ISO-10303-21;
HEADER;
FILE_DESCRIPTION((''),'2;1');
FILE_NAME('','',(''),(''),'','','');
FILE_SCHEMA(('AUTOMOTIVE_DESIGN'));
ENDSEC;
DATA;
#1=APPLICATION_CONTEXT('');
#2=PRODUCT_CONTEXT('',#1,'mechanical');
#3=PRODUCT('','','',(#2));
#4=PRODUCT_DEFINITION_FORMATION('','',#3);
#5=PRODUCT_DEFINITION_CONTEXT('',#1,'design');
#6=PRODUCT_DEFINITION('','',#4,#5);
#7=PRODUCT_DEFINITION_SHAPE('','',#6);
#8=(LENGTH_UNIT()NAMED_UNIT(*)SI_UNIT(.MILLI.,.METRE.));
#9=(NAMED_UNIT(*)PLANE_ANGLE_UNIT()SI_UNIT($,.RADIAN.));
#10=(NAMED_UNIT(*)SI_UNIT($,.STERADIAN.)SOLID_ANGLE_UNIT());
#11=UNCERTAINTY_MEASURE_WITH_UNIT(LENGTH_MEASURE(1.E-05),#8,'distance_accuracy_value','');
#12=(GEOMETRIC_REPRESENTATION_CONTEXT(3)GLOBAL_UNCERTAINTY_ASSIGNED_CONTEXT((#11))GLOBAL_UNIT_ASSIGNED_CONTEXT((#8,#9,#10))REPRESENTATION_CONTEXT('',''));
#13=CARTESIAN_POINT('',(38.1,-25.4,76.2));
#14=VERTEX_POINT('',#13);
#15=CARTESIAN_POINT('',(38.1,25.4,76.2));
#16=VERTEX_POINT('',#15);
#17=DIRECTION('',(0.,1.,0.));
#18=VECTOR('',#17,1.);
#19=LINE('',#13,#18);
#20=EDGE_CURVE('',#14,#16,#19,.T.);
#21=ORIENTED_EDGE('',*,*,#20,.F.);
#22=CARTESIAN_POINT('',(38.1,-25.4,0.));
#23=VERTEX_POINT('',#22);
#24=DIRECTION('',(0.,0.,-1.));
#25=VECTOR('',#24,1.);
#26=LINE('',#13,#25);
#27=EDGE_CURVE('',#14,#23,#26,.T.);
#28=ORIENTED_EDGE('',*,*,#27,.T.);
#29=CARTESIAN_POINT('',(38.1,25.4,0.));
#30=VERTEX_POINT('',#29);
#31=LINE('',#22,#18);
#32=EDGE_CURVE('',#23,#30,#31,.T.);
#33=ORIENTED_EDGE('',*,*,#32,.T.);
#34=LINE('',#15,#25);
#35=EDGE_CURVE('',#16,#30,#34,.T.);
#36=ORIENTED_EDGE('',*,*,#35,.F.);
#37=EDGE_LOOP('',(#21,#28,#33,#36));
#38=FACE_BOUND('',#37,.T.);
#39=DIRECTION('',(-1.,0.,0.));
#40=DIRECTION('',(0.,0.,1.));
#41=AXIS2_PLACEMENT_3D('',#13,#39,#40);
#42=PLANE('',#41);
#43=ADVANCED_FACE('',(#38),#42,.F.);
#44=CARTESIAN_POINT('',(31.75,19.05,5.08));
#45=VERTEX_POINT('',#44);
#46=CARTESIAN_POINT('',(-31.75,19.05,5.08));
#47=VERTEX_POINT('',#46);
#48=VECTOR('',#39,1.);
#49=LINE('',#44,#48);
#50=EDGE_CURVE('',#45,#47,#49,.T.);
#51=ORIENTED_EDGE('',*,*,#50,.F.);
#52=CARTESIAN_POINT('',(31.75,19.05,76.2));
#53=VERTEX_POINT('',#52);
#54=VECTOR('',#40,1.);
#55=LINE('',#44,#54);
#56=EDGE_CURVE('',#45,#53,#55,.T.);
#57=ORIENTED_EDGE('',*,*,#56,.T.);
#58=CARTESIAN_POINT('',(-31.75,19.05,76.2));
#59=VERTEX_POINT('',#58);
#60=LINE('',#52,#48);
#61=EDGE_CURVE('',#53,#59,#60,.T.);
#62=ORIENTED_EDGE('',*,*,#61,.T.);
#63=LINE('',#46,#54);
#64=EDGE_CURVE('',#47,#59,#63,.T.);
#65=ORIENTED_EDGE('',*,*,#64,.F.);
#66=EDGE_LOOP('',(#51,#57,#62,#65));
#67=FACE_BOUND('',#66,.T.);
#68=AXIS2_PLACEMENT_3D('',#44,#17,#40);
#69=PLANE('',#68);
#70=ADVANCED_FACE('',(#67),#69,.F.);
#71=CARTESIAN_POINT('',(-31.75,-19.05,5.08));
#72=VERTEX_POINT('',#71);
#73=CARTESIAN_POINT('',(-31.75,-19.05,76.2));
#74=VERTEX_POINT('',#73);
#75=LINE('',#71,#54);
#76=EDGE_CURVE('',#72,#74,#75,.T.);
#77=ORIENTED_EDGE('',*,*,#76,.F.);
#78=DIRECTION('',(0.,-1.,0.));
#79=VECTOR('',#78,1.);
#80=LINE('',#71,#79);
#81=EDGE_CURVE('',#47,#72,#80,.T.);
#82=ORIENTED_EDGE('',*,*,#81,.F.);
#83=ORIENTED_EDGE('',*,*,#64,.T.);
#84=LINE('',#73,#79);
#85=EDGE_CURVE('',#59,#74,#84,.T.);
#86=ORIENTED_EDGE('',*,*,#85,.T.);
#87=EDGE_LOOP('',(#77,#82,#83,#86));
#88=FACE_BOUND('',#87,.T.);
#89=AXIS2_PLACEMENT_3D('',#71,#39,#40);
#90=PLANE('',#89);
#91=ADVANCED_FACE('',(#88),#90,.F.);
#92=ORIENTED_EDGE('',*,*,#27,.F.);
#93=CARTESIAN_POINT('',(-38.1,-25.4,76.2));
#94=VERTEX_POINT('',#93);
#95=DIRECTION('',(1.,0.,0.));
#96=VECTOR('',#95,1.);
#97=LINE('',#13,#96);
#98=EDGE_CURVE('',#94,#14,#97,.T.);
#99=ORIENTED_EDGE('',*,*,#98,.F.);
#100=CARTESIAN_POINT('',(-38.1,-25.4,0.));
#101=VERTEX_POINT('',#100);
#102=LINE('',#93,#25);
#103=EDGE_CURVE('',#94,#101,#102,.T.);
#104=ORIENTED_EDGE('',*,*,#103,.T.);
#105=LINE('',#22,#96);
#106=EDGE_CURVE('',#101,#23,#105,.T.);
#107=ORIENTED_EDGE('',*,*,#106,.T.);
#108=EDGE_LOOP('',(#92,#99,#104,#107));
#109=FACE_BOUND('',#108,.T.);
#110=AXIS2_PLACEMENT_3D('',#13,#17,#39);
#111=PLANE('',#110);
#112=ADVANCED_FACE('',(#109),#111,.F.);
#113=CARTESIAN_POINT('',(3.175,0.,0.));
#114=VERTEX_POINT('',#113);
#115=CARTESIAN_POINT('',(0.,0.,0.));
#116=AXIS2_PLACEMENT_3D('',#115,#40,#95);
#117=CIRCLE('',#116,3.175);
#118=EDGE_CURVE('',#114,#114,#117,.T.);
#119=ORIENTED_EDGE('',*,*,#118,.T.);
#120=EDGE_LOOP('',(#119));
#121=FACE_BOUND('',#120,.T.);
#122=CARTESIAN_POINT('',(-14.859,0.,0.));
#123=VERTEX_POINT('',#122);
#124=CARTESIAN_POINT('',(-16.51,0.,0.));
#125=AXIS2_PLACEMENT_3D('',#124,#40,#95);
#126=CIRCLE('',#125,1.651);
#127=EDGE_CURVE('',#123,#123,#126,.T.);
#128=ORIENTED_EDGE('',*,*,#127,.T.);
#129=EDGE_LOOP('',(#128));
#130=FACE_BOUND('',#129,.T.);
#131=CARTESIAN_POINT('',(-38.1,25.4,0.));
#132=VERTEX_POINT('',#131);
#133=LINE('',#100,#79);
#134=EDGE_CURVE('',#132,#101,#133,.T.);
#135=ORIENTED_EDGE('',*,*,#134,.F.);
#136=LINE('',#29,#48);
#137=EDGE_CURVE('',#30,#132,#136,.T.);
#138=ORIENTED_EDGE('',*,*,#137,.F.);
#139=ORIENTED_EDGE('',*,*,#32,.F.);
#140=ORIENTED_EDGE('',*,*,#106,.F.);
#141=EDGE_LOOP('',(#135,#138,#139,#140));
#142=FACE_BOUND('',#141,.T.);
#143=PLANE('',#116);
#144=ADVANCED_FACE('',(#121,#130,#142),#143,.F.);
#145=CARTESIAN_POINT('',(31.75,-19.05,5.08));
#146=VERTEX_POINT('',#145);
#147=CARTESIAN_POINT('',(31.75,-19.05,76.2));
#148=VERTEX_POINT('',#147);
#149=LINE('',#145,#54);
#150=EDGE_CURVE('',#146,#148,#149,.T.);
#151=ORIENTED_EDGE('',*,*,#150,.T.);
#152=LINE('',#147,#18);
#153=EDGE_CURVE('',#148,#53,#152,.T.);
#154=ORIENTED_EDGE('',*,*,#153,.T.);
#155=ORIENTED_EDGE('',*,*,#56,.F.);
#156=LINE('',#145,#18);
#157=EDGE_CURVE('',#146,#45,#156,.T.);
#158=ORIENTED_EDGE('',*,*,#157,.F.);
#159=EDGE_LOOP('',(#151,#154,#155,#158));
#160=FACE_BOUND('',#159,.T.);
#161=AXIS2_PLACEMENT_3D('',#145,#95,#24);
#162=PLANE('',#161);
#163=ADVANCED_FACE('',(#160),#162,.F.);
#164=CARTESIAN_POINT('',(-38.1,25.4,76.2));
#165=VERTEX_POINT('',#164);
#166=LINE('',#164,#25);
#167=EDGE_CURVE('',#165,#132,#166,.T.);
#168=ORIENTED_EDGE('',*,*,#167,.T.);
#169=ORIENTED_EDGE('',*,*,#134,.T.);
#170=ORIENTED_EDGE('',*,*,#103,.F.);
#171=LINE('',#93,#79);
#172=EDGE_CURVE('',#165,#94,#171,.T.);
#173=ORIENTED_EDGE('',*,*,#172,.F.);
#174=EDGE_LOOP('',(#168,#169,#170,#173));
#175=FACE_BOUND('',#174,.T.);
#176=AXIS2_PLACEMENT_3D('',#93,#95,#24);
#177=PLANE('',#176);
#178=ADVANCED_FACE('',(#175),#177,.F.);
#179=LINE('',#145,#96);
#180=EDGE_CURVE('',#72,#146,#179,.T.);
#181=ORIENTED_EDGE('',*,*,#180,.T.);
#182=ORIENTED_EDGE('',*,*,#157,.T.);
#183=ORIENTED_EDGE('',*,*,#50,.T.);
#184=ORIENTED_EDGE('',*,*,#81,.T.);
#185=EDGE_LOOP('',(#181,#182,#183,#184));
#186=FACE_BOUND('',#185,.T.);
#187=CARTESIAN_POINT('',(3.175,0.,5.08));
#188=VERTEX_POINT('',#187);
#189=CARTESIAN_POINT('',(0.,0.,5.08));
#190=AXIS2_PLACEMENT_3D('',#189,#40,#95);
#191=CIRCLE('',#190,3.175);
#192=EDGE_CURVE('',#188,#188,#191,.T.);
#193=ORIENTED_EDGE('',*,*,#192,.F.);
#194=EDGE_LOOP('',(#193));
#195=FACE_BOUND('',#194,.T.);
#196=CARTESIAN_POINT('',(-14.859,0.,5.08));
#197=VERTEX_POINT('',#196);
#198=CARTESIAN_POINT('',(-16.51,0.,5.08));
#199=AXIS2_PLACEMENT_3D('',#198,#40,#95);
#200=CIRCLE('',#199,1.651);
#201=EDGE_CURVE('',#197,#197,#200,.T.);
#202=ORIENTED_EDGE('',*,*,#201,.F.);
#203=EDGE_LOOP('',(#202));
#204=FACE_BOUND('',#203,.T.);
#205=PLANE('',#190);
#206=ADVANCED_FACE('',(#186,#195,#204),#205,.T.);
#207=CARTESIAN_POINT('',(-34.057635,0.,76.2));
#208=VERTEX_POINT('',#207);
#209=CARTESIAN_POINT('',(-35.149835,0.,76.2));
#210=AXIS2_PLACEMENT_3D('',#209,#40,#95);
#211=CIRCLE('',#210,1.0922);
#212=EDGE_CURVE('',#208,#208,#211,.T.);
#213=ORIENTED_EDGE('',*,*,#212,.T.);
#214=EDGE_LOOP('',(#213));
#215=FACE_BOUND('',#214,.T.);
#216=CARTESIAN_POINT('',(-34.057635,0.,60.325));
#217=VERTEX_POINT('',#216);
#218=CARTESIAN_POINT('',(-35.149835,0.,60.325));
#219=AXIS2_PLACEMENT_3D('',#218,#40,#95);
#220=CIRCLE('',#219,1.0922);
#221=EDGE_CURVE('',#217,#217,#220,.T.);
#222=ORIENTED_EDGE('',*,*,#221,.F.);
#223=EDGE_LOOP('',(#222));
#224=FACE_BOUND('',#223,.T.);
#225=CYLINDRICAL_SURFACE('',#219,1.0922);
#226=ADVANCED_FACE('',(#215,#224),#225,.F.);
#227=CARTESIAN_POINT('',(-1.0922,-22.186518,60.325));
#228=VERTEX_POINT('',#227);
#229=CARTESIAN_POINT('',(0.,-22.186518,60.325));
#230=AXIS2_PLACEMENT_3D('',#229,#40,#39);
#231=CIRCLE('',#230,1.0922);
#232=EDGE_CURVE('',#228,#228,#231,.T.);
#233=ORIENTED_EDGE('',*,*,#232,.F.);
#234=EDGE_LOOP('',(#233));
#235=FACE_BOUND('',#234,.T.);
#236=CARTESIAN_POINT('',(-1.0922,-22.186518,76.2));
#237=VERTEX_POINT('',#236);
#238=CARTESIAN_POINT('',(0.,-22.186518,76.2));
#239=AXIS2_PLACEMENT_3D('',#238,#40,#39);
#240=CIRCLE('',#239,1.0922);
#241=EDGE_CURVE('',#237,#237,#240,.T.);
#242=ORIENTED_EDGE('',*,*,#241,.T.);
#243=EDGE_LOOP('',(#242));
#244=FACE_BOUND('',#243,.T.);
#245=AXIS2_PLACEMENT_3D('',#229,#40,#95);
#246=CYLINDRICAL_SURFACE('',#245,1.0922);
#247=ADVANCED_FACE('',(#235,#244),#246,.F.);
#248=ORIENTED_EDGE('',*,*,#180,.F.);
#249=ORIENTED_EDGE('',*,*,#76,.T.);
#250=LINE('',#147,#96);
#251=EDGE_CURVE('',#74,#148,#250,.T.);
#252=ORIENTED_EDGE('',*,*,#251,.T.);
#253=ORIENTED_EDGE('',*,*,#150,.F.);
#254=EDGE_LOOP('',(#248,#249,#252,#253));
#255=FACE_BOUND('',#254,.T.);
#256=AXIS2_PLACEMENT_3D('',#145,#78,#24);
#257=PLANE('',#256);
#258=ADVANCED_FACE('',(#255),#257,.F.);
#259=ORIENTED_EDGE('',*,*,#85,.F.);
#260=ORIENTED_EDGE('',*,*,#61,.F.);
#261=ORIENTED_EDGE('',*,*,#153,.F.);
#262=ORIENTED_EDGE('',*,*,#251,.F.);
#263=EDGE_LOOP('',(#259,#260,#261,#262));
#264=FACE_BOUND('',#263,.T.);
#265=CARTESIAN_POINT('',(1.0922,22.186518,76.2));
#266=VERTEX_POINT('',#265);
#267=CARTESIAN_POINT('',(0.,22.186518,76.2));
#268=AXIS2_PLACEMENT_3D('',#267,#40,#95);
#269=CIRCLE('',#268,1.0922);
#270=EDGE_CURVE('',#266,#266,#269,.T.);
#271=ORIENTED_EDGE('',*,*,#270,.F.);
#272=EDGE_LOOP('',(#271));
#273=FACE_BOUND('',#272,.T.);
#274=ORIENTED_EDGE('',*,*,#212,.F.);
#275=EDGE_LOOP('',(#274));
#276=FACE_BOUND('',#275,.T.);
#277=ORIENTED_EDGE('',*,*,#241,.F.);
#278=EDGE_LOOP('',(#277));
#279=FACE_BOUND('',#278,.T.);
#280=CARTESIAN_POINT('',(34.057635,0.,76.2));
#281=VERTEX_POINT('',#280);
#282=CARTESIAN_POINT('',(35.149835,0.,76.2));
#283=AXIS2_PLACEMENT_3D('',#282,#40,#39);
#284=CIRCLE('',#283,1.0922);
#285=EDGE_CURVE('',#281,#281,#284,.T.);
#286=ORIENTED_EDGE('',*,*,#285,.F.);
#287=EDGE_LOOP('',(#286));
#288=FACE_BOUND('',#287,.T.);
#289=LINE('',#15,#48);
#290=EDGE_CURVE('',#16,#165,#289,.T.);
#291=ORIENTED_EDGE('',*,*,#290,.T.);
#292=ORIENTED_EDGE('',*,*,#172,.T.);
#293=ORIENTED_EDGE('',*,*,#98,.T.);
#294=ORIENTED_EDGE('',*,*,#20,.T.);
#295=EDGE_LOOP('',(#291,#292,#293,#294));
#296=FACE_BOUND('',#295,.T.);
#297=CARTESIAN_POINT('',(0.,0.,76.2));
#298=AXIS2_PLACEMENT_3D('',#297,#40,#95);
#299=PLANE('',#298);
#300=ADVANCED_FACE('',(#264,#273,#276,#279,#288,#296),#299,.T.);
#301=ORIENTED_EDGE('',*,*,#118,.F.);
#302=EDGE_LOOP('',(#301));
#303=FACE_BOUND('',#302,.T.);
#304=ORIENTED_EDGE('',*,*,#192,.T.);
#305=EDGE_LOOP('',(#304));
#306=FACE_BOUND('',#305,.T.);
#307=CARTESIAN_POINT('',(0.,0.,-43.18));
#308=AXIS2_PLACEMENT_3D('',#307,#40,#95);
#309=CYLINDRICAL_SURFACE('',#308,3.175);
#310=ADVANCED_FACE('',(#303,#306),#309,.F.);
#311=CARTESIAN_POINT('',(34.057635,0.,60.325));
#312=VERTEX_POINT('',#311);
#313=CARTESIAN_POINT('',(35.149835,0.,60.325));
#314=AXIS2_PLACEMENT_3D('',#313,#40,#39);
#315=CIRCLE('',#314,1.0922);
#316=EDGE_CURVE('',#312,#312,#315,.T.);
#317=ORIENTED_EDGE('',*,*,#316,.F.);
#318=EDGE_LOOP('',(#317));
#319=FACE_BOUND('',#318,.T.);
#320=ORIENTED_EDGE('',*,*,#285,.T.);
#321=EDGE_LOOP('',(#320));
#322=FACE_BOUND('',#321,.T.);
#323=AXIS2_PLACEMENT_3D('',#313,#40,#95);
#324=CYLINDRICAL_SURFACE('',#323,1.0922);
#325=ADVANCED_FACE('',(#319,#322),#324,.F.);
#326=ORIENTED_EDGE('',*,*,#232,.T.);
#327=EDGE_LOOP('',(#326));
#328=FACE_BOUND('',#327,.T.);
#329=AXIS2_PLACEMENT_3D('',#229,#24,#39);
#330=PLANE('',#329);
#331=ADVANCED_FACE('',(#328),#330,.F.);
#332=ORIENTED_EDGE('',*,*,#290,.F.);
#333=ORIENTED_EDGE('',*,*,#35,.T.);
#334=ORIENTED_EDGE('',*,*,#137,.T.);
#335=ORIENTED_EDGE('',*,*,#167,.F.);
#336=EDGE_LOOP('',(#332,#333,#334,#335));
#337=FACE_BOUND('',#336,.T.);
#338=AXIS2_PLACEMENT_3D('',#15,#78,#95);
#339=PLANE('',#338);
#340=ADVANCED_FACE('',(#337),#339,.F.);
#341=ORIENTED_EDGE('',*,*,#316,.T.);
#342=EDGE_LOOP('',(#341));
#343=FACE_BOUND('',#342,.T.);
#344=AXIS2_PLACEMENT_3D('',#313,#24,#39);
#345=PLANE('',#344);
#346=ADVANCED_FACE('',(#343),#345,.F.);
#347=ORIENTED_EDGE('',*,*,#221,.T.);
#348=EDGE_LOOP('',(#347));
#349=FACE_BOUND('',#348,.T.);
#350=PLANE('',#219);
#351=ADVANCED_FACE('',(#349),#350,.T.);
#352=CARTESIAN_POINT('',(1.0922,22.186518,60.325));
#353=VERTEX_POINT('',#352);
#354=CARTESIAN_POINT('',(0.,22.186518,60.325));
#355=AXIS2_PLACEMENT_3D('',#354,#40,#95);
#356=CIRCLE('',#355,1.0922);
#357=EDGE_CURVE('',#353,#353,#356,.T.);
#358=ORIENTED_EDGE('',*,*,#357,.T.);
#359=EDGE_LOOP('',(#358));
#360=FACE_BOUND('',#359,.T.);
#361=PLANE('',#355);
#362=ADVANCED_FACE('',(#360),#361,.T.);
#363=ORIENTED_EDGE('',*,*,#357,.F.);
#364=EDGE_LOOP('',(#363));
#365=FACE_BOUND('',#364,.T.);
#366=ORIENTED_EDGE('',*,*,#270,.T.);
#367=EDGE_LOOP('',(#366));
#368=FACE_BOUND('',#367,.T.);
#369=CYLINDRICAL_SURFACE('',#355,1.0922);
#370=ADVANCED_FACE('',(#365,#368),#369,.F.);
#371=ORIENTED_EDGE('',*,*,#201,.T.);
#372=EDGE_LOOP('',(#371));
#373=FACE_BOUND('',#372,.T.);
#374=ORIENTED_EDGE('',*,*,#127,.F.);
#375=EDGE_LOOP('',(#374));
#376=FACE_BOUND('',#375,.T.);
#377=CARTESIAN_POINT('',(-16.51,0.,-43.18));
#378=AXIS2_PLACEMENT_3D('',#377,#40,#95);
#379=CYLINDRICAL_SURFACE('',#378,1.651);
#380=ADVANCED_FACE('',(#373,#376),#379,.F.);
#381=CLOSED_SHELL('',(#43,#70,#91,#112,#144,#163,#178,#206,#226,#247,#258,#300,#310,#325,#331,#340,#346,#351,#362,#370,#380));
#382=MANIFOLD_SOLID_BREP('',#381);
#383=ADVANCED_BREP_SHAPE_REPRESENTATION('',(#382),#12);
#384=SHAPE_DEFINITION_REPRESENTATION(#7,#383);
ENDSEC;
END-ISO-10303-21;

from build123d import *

# Parameters (mm, degrees)
SKETCH1_W           = 76.2
SKETCH1_H           = 50.8
BOSS_EXTRUDE1_DEPTH = 76.2
SKETCH2_W           = 63.5
SKETCH2_H           = 38.1
CUT_EXTRUDE1_DEPTH  = 71.12
SKETCH3_R           = 3.175
SKETCH3_R_2         = 1.651
CUT_EXTRUDE2_DEPTH  = 48.26
SKETCH4_R           = 1.0922
CUT_EXTRUDE3_DEPTH  = 15.875


with BuildPart() as part:
    # Sketch1 → Boss-Extrude1 (new body)
    with BuildSketch(Plane.XY):
        Rectangle(SKETCH1_W, SKETCH1_H)
    extrude(amount=BOSS_EXTRUDE1_DEPTH)

    # Sketch2 → Cut-Extrude1 (cut)
    with BuildSketch(Plane.XY.offset(76.2)):
        Rectangle(SKETCH2_W, SKETCH2_H)
    extrude(amount=-CUT_EXTRUDE1_DEPTH, mode=Mode.SUBTRACT)

    # Sketch3 → Cut-Extrude2 (cut)
    with BuildSketch(Plane.XY.offset(5.08)):
        Circle(SKETCH3_R)
        with Locations((-16.51, 0)):
            Circle(SKETCH3_R_2)
    extrude(amount=-CUT_EXTRUDE2_DEPTH, mode=Mode.SUBTRACT)

    # Sketch4 → Cut-Extrude3 (cut)
    with BuildSketch(Plane.XY.offset(76.2)):
        with Locations((-35.149835373, 0)):
            Circle(SKETCH4_R)
        with Locations(Location((35.149835373, 0, 0), (0, 0, 180))):
            Circle(SKETCH4_R)
        with Locations((0, 22.186517988)):
            Circle(SKETCH4_R)
        with Locations(Location((0, -22.186517988, 0), (0, 0, 180))):
            Circle(SKETCH4_R)
    extrude(amount=-CUT_EXTRUDE3_DEPTH, mode=Mode.SUBTRACT)


solid = part.part
